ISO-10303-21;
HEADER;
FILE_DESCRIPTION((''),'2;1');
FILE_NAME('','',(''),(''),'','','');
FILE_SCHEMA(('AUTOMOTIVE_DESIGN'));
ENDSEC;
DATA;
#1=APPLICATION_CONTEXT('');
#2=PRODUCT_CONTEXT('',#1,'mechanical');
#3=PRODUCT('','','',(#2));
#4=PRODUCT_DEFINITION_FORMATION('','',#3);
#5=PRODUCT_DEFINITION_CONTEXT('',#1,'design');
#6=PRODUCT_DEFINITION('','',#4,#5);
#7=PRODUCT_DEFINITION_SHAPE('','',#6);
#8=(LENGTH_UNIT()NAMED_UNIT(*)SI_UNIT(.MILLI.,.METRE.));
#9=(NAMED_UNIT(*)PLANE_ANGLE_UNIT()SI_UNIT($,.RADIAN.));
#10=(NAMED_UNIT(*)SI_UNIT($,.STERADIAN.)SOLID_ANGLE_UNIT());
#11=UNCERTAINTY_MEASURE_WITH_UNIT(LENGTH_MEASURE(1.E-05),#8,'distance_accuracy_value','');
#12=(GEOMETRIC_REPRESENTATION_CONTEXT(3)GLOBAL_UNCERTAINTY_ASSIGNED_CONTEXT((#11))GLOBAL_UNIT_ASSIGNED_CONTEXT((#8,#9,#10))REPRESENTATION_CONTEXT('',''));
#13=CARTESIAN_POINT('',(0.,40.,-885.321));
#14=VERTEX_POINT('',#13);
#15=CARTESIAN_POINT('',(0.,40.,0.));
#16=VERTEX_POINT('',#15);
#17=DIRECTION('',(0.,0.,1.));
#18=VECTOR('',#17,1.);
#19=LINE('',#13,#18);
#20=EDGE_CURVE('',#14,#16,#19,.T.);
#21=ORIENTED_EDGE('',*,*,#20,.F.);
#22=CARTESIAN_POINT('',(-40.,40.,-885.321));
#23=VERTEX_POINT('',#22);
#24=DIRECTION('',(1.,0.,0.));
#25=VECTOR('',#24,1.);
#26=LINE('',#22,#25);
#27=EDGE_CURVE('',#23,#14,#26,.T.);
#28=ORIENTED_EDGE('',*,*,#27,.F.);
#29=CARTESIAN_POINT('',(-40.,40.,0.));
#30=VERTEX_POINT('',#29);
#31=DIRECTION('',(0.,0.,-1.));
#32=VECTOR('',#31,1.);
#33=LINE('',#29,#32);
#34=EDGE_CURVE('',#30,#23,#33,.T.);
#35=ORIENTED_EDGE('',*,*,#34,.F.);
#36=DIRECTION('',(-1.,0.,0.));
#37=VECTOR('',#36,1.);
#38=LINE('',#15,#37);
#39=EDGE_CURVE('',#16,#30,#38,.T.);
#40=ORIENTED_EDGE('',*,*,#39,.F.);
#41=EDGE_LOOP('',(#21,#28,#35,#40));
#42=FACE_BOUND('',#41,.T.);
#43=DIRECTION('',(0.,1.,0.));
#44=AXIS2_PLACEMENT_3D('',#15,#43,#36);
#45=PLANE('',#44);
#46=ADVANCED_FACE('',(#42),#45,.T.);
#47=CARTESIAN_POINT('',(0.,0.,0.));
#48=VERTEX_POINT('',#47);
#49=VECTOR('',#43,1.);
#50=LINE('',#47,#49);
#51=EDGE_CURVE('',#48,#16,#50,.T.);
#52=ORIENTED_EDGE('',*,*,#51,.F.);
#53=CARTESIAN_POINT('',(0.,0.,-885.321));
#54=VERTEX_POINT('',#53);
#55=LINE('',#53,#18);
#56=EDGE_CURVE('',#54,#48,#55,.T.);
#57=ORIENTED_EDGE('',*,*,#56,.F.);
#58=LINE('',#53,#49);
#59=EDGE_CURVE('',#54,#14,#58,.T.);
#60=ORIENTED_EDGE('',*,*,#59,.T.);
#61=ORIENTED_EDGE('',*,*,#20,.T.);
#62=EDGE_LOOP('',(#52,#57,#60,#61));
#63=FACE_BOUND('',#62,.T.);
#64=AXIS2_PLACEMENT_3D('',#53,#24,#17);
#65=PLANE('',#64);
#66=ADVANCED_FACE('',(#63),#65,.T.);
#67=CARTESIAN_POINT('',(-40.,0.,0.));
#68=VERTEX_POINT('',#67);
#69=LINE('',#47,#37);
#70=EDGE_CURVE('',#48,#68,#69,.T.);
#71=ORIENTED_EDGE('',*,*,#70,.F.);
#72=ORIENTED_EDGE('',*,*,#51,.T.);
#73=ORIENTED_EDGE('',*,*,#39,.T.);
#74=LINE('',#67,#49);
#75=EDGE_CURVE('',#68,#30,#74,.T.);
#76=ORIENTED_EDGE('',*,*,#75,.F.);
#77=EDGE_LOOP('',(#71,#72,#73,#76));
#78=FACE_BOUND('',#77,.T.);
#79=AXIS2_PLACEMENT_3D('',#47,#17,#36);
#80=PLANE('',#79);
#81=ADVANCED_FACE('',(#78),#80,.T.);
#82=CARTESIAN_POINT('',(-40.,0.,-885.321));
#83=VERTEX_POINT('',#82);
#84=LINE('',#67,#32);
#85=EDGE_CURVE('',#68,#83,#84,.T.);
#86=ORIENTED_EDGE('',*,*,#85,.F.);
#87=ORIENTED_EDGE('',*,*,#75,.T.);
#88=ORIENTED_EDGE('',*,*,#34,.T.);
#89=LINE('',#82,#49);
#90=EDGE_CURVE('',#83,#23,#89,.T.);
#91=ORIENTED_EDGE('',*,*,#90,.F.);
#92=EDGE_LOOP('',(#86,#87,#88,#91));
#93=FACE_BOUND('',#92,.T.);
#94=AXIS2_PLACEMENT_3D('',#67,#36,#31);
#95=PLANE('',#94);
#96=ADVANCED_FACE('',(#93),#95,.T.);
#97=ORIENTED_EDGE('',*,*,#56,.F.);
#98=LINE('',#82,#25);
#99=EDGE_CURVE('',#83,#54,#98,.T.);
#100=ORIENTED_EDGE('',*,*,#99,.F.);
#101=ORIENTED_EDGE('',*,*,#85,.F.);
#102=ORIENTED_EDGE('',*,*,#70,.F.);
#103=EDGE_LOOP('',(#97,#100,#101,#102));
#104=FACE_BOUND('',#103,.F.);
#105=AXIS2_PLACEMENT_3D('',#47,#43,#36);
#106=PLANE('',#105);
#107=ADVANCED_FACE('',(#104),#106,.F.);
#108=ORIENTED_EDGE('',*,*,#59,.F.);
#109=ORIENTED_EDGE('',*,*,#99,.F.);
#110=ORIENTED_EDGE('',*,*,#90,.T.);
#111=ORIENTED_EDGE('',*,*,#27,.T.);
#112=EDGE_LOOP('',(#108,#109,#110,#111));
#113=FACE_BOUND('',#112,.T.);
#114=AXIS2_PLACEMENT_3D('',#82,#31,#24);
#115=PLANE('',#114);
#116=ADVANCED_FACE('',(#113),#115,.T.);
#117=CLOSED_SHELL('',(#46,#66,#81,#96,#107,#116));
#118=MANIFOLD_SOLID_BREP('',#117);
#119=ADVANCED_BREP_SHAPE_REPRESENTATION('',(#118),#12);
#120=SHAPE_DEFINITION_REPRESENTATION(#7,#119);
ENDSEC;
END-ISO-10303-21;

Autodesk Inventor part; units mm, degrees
ref_plane "YZ Plane" through (0, 0, 0) normal (1, 0, 0) x (0, 1, 0)
ref_plane "XZ Plane" through (0, 0, 0) normal (0, 1, 0) x (-1, 0, 0)
ref_plane "XY Plane" through (0, 0, 0) normal (0, 0, 1) x (1, 0, 0)
sketch "Sketch1" plane through (0, 0, 0) normal (0, 1, 0) x (-1, 0, 0)
  line L0 (0, 0) -> (40, 0)
  line L1 (40, 0) -> (40, -885.321)
  line L2 (40, -885.321) -> (0, -885.321)
  line L3 (0, -885.321) -> (0, 0)
  dimension "d0" = 40
  dimension "d1" = 885.321
extrude "Extrusion1" add sketch "Sketch1" along normal blind 40
properties part number "AddBoundary1V1"
